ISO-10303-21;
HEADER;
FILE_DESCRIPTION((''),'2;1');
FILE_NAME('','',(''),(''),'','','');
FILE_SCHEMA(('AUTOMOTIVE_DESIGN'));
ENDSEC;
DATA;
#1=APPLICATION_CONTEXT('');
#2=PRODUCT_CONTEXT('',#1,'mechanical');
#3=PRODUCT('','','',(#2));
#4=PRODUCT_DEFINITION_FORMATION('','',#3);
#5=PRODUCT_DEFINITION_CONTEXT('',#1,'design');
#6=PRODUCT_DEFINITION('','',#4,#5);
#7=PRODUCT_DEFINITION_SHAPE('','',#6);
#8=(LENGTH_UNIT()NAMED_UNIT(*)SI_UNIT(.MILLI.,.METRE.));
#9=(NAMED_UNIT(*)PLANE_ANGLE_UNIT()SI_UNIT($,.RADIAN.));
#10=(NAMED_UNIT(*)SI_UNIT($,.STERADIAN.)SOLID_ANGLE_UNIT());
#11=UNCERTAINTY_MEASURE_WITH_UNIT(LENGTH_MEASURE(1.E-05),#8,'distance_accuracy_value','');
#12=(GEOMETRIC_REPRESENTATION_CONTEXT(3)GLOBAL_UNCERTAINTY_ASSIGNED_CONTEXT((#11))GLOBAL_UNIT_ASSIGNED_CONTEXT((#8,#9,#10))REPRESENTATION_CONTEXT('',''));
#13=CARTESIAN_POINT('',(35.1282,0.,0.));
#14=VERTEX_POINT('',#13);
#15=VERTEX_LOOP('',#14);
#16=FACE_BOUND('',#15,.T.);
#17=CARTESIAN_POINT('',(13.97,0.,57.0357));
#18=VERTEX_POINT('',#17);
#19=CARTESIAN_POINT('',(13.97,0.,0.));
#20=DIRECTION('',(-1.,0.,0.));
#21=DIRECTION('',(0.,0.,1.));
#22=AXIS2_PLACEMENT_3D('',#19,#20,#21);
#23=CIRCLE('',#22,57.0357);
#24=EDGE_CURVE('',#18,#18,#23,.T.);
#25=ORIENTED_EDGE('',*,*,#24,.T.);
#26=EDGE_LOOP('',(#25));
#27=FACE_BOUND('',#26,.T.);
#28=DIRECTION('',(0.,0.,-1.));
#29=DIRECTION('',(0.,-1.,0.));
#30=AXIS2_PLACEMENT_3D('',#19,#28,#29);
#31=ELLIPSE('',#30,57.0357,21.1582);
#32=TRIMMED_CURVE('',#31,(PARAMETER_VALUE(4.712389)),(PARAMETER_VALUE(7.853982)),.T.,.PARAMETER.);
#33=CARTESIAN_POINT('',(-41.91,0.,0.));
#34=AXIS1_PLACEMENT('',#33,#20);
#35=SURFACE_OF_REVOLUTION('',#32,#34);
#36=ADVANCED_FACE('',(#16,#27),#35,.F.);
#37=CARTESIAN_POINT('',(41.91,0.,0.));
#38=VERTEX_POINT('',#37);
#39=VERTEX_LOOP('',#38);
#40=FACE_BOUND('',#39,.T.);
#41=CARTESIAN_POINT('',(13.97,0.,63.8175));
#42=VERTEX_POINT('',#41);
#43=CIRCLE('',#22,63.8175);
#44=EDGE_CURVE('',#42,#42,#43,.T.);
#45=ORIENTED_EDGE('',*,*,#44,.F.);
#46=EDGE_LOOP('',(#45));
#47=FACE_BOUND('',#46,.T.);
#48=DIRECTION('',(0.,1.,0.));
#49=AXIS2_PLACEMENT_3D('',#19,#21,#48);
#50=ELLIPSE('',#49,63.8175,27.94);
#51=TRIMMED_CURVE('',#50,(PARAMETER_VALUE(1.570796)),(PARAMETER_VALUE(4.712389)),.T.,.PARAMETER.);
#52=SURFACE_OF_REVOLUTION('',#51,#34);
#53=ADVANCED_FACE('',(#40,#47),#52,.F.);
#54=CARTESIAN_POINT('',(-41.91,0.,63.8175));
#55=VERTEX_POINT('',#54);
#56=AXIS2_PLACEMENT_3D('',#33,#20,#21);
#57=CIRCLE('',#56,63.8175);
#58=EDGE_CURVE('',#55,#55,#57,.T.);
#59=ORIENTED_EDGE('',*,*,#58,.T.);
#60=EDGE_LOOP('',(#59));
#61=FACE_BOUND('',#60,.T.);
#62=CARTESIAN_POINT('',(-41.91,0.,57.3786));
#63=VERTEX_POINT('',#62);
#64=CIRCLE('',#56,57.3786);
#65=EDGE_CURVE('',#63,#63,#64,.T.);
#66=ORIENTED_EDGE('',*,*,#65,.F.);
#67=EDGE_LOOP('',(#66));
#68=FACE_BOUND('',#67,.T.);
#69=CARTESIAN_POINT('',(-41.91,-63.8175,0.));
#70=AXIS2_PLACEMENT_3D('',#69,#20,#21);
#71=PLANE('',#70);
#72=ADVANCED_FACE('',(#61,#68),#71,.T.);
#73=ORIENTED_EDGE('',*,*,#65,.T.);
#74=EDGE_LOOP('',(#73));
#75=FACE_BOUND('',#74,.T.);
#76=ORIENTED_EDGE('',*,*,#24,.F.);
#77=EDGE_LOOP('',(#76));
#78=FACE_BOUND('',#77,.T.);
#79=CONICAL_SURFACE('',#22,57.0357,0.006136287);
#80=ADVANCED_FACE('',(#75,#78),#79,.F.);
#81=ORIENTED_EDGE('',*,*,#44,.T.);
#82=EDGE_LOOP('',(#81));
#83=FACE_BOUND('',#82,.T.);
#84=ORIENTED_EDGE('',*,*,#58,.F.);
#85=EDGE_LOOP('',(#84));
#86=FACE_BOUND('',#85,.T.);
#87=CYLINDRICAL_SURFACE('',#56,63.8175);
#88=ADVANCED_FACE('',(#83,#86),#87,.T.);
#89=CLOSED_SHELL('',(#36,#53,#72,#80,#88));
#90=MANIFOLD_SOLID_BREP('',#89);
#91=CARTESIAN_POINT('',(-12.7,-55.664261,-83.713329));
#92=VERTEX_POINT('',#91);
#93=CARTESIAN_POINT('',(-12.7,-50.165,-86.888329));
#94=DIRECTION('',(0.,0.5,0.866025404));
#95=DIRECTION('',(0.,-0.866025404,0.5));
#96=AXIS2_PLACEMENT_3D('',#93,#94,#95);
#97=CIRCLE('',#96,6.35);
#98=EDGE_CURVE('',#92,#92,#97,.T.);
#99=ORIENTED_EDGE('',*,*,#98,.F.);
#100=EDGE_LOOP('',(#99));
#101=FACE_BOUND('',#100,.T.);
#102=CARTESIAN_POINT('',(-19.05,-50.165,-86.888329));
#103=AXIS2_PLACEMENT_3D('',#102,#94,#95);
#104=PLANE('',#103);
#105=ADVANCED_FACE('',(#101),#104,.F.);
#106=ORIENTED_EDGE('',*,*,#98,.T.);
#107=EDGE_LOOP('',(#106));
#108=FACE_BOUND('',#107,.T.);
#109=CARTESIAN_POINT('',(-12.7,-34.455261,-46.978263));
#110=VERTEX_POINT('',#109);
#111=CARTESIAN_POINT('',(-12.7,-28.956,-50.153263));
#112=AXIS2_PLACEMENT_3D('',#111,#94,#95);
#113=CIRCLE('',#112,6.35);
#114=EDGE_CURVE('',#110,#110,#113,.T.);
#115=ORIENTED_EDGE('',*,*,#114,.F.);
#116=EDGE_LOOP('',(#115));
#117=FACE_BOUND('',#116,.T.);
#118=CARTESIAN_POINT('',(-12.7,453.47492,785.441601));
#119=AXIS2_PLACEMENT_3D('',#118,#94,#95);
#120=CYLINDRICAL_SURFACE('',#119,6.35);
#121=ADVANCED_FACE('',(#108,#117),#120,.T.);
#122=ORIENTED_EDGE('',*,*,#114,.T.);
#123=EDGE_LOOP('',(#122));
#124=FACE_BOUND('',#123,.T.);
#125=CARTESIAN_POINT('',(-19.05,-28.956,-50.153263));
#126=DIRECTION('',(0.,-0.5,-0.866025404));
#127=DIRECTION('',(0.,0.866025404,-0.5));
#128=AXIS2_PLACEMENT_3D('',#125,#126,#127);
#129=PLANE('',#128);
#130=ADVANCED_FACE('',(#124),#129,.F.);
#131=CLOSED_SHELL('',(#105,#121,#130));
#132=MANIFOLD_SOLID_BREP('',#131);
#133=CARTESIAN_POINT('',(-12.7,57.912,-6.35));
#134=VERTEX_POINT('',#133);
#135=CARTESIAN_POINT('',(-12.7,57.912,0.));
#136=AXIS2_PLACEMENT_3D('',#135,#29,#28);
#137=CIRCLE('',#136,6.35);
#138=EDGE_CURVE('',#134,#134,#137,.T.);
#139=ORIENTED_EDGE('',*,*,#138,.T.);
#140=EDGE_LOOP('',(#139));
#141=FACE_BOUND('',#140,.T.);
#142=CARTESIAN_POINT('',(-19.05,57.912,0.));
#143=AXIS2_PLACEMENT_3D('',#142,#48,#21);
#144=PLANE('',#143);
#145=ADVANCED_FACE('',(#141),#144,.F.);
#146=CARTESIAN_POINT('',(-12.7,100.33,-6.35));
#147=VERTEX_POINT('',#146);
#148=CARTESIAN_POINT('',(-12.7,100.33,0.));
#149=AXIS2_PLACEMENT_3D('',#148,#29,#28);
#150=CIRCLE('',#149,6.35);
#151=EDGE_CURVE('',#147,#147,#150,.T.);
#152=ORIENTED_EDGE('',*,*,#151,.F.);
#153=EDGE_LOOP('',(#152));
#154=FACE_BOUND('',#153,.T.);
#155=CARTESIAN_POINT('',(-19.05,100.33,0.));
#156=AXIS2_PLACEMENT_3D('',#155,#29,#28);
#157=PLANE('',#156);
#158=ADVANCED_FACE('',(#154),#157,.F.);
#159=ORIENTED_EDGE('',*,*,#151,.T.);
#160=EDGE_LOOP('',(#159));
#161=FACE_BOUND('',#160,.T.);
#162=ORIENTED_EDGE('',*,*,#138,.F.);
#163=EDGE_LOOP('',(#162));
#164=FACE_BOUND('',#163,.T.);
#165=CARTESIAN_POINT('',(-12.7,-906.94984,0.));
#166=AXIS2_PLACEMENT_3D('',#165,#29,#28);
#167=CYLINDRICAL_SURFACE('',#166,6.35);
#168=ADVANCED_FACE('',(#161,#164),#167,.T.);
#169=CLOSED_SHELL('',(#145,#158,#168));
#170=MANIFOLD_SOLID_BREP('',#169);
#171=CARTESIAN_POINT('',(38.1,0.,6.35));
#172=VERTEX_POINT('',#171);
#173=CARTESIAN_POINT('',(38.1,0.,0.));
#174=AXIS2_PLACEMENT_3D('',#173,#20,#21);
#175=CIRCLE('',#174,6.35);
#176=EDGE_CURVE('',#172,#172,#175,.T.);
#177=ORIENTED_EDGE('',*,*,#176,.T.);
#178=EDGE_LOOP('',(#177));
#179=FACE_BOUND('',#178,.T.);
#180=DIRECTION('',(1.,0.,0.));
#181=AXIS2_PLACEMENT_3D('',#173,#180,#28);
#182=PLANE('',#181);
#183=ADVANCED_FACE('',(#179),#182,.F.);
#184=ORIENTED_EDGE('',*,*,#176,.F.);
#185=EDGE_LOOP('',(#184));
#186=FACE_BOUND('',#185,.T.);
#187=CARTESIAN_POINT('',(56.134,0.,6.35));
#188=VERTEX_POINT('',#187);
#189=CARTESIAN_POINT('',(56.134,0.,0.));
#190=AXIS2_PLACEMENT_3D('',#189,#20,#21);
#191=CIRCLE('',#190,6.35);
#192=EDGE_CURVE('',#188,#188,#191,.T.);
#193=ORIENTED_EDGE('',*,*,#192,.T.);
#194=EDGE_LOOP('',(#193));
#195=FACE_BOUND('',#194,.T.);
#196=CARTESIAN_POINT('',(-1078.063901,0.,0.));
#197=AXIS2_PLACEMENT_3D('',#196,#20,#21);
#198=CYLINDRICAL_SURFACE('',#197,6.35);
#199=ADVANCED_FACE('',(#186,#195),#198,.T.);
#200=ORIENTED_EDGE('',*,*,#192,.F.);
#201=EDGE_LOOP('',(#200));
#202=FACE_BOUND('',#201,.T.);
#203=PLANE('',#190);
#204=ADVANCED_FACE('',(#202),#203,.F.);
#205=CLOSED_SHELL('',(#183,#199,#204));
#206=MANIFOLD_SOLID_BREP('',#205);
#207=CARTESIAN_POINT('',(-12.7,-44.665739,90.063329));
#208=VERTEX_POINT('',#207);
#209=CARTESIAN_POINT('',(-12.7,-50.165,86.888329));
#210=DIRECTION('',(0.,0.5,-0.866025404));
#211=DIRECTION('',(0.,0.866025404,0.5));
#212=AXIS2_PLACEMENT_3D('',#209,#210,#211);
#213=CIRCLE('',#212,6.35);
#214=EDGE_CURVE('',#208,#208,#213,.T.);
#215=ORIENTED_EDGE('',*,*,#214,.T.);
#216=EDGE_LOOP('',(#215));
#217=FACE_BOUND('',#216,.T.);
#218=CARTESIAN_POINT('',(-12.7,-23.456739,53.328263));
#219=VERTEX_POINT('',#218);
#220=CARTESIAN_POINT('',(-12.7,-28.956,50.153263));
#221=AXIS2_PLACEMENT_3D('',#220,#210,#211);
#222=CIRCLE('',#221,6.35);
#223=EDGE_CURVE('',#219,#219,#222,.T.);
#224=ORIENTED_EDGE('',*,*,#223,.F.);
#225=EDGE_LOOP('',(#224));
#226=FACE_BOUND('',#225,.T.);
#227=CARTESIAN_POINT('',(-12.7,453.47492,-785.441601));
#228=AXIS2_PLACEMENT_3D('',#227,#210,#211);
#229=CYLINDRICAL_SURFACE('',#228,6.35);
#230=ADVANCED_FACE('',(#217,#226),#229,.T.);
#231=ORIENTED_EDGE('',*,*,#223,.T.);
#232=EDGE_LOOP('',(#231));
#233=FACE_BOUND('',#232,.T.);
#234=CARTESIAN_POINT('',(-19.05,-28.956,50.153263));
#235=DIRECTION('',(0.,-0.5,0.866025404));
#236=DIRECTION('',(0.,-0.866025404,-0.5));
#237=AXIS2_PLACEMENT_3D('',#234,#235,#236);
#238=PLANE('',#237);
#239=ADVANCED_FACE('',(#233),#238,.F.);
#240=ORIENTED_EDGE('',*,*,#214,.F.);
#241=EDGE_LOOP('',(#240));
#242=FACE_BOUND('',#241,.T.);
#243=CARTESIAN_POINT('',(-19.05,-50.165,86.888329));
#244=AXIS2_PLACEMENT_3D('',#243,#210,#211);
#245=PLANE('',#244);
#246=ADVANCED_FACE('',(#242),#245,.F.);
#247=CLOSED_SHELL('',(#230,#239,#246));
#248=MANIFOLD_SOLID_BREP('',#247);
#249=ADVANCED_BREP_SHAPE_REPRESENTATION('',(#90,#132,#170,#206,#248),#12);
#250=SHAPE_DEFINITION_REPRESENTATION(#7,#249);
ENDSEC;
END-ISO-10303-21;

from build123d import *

# Parameters (mm, degrees)
SKETCH2_W         = 6.35
SKETCH2_H         = 42.418
CIRPATTERN1_COUNT = 3
SKETCH3_W         = 18.034
SKETCH3_H         = 6.35


with BuildPart() as part:
    # Sketch1 → Revolve1 (revolve)
    with BuildSketch(Plane.XY):
        with BuildLine():
            Line((35.1282, 0), (41.91, 0))
            add(Edge.make_bspline(
                [(13.97, -63.8175), (41.91, -63.8175), (41.91, 0)],
                knots=[3.141592654, 3.141592654, 3.141592654, 4.71238898, 4.71238898, 4.71238898], degree=2, weights=[1, 0.707106781, 1]))
            Line((13.97, -63.8175), (-41.91, -63.8175))
            Line((-41.91, -63.8175), (-41.91, -57.3786))
            Line((-41.91, -57.3786), (13.97, -57.0357))
            add(Edge.make_bspline(
                [(13.97, -57.0357), (35.1282, -57.0357), (35.1282, 0)],
                knots=[0, 0, 0, 1.570796327, 1.570796327, 1.570796327], degree=2, weights=[1, 0.707106781, 1]))
        make_face()
    revolve(axis=Axis((-41.91, 0, 0), (1, 0, 0)))


with BuildPart() as body_2:
    # Sketch2 → Revolve2 (revolve)
    with BuildSketch(Plane.XY):
        with Locations((-15.875, 79.121)):
            Rectangle(SKETCH2_W, SKETCH2_H)
    revolve(axis=Axis((-12.7, -906.949839724, 0), (0, 1, 0)))


with BuildPart() as cirpattern1_1:
    # CirPattern1: pattern copy
    add(body_2.part.rotate(Axis((-46.101, 0, 0), (1, 0, 0)), 1 * 360 / CIRPATTERN1_COUNT))


with BuildPart() as cirpattern1_2:
    # CirPattern1: pattern copy
    add(body_2.part.rotate(Axis((-46.101, 0, 0), (1, 0, 0)), 2 * 360 / CIRPATTERN1_COUNT))


with BuildPart() as body_5:
    # Sketch3 → Revolve3 (revolve)
    with BuildSketch(Plane.XY):
        with Locations((47.117, 3.175)):
            Rectangle(SKETCH3_W, SKETCH3_H)
    revolve(axis=Axis((-1078.063901148, 0, 0), (1, 0, 0)))


solid = Compound([part.part, body_2.part, cirpattern1_1.part, cirpattern1_2.part, body_5.part])
